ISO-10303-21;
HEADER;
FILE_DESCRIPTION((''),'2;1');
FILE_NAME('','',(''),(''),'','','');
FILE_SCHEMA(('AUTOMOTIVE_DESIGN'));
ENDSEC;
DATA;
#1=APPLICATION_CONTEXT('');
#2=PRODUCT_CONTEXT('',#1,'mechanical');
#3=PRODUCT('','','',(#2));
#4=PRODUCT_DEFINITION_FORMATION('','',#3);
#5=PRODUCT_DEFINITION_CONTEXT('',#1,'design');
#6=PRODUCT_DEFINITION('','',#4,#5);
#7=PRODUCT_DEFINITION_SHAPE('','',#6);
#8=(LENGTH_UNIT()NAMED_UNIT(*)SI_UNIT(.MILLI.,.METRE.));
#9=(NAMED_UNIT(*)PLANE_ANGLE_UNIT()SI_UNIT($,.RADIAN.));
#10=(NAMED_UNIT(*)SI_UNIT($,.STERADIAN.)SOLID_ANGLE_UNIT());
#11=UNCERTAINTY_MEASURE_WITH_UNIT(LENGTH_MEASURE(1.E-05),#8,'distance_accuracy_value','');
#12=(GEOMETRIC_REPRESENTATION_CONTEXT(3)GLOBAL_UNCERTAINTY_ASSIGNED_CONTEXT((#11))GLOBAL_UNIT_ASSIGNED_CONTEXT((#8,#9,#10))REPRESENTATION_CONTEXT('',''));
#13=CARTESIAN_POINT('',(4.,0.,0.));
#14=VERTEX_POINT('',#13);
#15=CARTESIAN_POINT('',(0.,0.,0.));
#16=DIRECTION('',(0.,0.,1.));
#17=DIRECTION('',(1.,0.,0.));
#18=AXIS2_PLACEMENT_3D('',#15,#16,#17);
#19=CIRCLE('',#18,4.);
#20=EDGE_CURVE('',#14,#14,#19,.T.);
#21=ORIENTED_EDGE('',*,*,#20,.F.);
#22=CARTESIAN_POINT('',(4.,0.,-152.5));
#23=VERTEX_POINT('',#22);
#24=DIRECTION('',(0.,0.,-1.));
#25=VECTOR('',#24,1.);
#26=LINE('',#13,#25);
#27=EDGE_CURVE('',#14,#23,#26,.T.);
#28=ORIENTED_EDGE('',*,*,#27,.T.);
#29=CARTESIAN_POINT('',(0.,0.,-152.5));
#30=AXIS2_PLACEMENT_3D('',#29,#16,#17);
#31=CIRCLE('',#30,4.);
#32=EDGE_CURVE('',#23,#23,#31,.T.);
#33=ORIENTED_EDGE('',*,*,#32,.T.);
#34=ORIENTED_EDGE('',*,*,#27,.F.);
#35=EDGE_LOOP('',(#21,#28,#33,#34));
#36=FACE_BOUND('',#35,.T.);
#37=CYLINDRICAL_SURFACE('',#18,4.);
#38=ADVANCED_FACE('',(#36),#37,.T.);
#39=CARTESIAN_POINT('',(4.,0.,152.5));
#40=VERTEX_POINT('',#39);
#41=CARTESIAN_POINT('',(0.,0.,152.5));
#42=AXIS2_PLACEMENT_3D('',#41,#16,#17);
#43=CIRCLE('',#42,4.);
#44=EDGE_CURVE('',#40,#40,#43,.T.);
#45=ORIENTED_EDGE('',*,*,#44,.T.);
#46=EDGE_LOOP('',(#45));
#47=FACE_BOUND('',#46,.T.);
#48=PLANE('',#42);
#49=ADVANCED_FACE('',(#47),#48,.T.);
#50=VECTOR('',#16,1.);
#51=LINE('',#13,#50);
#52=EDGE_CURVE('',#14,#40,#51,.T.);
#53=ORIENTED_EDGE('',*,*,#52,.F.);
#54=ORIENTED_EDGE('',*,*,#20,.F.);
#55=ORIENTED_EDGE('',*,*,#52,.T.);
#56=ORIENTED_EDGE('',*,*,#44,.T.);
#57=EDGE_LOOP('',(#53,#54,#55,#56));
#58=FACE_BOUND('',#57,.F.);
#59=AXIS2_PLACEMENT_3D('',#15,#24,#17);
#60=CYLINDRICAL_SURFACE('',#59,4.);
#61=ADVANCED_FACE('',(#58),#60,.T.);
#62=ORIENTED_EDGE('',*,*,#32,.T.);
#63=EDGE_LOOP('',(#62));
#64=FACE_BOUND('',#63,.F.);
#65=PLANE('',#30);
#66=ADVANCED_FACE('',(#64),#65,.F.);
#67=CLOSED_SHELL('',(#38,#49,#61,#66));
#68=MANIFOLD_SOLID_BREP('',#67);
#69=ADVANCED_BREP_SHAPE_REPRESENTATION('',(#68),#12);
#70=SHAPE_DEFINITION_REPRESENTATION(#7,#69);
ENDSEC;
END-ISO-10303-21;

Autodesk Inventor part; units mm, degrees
ref_plane "YZ Plane" through (0, 0, 0) normal (1, 0, 0) x (0, 1, 0)
ref_plane "XZ Plane" through (0, 0, 0) normal (0, 1, 0) x (-1, 0, 0)
ref_plane "XY Plane" through (0, 0, 0) normal (0, 0, 1) x (1, 0, 0)
sketch "Sketch1" plane through (0, 0, 0) normal (0, 0, 1) x (1, 0, 0)
  circle A0 centre (0, 0) radius 4
  dimension "d0" = 8
extrude "Extrusion1" add sketch "Sketch1" along normal mid plane 305
properties part number "Ø8mm 377 mm"
